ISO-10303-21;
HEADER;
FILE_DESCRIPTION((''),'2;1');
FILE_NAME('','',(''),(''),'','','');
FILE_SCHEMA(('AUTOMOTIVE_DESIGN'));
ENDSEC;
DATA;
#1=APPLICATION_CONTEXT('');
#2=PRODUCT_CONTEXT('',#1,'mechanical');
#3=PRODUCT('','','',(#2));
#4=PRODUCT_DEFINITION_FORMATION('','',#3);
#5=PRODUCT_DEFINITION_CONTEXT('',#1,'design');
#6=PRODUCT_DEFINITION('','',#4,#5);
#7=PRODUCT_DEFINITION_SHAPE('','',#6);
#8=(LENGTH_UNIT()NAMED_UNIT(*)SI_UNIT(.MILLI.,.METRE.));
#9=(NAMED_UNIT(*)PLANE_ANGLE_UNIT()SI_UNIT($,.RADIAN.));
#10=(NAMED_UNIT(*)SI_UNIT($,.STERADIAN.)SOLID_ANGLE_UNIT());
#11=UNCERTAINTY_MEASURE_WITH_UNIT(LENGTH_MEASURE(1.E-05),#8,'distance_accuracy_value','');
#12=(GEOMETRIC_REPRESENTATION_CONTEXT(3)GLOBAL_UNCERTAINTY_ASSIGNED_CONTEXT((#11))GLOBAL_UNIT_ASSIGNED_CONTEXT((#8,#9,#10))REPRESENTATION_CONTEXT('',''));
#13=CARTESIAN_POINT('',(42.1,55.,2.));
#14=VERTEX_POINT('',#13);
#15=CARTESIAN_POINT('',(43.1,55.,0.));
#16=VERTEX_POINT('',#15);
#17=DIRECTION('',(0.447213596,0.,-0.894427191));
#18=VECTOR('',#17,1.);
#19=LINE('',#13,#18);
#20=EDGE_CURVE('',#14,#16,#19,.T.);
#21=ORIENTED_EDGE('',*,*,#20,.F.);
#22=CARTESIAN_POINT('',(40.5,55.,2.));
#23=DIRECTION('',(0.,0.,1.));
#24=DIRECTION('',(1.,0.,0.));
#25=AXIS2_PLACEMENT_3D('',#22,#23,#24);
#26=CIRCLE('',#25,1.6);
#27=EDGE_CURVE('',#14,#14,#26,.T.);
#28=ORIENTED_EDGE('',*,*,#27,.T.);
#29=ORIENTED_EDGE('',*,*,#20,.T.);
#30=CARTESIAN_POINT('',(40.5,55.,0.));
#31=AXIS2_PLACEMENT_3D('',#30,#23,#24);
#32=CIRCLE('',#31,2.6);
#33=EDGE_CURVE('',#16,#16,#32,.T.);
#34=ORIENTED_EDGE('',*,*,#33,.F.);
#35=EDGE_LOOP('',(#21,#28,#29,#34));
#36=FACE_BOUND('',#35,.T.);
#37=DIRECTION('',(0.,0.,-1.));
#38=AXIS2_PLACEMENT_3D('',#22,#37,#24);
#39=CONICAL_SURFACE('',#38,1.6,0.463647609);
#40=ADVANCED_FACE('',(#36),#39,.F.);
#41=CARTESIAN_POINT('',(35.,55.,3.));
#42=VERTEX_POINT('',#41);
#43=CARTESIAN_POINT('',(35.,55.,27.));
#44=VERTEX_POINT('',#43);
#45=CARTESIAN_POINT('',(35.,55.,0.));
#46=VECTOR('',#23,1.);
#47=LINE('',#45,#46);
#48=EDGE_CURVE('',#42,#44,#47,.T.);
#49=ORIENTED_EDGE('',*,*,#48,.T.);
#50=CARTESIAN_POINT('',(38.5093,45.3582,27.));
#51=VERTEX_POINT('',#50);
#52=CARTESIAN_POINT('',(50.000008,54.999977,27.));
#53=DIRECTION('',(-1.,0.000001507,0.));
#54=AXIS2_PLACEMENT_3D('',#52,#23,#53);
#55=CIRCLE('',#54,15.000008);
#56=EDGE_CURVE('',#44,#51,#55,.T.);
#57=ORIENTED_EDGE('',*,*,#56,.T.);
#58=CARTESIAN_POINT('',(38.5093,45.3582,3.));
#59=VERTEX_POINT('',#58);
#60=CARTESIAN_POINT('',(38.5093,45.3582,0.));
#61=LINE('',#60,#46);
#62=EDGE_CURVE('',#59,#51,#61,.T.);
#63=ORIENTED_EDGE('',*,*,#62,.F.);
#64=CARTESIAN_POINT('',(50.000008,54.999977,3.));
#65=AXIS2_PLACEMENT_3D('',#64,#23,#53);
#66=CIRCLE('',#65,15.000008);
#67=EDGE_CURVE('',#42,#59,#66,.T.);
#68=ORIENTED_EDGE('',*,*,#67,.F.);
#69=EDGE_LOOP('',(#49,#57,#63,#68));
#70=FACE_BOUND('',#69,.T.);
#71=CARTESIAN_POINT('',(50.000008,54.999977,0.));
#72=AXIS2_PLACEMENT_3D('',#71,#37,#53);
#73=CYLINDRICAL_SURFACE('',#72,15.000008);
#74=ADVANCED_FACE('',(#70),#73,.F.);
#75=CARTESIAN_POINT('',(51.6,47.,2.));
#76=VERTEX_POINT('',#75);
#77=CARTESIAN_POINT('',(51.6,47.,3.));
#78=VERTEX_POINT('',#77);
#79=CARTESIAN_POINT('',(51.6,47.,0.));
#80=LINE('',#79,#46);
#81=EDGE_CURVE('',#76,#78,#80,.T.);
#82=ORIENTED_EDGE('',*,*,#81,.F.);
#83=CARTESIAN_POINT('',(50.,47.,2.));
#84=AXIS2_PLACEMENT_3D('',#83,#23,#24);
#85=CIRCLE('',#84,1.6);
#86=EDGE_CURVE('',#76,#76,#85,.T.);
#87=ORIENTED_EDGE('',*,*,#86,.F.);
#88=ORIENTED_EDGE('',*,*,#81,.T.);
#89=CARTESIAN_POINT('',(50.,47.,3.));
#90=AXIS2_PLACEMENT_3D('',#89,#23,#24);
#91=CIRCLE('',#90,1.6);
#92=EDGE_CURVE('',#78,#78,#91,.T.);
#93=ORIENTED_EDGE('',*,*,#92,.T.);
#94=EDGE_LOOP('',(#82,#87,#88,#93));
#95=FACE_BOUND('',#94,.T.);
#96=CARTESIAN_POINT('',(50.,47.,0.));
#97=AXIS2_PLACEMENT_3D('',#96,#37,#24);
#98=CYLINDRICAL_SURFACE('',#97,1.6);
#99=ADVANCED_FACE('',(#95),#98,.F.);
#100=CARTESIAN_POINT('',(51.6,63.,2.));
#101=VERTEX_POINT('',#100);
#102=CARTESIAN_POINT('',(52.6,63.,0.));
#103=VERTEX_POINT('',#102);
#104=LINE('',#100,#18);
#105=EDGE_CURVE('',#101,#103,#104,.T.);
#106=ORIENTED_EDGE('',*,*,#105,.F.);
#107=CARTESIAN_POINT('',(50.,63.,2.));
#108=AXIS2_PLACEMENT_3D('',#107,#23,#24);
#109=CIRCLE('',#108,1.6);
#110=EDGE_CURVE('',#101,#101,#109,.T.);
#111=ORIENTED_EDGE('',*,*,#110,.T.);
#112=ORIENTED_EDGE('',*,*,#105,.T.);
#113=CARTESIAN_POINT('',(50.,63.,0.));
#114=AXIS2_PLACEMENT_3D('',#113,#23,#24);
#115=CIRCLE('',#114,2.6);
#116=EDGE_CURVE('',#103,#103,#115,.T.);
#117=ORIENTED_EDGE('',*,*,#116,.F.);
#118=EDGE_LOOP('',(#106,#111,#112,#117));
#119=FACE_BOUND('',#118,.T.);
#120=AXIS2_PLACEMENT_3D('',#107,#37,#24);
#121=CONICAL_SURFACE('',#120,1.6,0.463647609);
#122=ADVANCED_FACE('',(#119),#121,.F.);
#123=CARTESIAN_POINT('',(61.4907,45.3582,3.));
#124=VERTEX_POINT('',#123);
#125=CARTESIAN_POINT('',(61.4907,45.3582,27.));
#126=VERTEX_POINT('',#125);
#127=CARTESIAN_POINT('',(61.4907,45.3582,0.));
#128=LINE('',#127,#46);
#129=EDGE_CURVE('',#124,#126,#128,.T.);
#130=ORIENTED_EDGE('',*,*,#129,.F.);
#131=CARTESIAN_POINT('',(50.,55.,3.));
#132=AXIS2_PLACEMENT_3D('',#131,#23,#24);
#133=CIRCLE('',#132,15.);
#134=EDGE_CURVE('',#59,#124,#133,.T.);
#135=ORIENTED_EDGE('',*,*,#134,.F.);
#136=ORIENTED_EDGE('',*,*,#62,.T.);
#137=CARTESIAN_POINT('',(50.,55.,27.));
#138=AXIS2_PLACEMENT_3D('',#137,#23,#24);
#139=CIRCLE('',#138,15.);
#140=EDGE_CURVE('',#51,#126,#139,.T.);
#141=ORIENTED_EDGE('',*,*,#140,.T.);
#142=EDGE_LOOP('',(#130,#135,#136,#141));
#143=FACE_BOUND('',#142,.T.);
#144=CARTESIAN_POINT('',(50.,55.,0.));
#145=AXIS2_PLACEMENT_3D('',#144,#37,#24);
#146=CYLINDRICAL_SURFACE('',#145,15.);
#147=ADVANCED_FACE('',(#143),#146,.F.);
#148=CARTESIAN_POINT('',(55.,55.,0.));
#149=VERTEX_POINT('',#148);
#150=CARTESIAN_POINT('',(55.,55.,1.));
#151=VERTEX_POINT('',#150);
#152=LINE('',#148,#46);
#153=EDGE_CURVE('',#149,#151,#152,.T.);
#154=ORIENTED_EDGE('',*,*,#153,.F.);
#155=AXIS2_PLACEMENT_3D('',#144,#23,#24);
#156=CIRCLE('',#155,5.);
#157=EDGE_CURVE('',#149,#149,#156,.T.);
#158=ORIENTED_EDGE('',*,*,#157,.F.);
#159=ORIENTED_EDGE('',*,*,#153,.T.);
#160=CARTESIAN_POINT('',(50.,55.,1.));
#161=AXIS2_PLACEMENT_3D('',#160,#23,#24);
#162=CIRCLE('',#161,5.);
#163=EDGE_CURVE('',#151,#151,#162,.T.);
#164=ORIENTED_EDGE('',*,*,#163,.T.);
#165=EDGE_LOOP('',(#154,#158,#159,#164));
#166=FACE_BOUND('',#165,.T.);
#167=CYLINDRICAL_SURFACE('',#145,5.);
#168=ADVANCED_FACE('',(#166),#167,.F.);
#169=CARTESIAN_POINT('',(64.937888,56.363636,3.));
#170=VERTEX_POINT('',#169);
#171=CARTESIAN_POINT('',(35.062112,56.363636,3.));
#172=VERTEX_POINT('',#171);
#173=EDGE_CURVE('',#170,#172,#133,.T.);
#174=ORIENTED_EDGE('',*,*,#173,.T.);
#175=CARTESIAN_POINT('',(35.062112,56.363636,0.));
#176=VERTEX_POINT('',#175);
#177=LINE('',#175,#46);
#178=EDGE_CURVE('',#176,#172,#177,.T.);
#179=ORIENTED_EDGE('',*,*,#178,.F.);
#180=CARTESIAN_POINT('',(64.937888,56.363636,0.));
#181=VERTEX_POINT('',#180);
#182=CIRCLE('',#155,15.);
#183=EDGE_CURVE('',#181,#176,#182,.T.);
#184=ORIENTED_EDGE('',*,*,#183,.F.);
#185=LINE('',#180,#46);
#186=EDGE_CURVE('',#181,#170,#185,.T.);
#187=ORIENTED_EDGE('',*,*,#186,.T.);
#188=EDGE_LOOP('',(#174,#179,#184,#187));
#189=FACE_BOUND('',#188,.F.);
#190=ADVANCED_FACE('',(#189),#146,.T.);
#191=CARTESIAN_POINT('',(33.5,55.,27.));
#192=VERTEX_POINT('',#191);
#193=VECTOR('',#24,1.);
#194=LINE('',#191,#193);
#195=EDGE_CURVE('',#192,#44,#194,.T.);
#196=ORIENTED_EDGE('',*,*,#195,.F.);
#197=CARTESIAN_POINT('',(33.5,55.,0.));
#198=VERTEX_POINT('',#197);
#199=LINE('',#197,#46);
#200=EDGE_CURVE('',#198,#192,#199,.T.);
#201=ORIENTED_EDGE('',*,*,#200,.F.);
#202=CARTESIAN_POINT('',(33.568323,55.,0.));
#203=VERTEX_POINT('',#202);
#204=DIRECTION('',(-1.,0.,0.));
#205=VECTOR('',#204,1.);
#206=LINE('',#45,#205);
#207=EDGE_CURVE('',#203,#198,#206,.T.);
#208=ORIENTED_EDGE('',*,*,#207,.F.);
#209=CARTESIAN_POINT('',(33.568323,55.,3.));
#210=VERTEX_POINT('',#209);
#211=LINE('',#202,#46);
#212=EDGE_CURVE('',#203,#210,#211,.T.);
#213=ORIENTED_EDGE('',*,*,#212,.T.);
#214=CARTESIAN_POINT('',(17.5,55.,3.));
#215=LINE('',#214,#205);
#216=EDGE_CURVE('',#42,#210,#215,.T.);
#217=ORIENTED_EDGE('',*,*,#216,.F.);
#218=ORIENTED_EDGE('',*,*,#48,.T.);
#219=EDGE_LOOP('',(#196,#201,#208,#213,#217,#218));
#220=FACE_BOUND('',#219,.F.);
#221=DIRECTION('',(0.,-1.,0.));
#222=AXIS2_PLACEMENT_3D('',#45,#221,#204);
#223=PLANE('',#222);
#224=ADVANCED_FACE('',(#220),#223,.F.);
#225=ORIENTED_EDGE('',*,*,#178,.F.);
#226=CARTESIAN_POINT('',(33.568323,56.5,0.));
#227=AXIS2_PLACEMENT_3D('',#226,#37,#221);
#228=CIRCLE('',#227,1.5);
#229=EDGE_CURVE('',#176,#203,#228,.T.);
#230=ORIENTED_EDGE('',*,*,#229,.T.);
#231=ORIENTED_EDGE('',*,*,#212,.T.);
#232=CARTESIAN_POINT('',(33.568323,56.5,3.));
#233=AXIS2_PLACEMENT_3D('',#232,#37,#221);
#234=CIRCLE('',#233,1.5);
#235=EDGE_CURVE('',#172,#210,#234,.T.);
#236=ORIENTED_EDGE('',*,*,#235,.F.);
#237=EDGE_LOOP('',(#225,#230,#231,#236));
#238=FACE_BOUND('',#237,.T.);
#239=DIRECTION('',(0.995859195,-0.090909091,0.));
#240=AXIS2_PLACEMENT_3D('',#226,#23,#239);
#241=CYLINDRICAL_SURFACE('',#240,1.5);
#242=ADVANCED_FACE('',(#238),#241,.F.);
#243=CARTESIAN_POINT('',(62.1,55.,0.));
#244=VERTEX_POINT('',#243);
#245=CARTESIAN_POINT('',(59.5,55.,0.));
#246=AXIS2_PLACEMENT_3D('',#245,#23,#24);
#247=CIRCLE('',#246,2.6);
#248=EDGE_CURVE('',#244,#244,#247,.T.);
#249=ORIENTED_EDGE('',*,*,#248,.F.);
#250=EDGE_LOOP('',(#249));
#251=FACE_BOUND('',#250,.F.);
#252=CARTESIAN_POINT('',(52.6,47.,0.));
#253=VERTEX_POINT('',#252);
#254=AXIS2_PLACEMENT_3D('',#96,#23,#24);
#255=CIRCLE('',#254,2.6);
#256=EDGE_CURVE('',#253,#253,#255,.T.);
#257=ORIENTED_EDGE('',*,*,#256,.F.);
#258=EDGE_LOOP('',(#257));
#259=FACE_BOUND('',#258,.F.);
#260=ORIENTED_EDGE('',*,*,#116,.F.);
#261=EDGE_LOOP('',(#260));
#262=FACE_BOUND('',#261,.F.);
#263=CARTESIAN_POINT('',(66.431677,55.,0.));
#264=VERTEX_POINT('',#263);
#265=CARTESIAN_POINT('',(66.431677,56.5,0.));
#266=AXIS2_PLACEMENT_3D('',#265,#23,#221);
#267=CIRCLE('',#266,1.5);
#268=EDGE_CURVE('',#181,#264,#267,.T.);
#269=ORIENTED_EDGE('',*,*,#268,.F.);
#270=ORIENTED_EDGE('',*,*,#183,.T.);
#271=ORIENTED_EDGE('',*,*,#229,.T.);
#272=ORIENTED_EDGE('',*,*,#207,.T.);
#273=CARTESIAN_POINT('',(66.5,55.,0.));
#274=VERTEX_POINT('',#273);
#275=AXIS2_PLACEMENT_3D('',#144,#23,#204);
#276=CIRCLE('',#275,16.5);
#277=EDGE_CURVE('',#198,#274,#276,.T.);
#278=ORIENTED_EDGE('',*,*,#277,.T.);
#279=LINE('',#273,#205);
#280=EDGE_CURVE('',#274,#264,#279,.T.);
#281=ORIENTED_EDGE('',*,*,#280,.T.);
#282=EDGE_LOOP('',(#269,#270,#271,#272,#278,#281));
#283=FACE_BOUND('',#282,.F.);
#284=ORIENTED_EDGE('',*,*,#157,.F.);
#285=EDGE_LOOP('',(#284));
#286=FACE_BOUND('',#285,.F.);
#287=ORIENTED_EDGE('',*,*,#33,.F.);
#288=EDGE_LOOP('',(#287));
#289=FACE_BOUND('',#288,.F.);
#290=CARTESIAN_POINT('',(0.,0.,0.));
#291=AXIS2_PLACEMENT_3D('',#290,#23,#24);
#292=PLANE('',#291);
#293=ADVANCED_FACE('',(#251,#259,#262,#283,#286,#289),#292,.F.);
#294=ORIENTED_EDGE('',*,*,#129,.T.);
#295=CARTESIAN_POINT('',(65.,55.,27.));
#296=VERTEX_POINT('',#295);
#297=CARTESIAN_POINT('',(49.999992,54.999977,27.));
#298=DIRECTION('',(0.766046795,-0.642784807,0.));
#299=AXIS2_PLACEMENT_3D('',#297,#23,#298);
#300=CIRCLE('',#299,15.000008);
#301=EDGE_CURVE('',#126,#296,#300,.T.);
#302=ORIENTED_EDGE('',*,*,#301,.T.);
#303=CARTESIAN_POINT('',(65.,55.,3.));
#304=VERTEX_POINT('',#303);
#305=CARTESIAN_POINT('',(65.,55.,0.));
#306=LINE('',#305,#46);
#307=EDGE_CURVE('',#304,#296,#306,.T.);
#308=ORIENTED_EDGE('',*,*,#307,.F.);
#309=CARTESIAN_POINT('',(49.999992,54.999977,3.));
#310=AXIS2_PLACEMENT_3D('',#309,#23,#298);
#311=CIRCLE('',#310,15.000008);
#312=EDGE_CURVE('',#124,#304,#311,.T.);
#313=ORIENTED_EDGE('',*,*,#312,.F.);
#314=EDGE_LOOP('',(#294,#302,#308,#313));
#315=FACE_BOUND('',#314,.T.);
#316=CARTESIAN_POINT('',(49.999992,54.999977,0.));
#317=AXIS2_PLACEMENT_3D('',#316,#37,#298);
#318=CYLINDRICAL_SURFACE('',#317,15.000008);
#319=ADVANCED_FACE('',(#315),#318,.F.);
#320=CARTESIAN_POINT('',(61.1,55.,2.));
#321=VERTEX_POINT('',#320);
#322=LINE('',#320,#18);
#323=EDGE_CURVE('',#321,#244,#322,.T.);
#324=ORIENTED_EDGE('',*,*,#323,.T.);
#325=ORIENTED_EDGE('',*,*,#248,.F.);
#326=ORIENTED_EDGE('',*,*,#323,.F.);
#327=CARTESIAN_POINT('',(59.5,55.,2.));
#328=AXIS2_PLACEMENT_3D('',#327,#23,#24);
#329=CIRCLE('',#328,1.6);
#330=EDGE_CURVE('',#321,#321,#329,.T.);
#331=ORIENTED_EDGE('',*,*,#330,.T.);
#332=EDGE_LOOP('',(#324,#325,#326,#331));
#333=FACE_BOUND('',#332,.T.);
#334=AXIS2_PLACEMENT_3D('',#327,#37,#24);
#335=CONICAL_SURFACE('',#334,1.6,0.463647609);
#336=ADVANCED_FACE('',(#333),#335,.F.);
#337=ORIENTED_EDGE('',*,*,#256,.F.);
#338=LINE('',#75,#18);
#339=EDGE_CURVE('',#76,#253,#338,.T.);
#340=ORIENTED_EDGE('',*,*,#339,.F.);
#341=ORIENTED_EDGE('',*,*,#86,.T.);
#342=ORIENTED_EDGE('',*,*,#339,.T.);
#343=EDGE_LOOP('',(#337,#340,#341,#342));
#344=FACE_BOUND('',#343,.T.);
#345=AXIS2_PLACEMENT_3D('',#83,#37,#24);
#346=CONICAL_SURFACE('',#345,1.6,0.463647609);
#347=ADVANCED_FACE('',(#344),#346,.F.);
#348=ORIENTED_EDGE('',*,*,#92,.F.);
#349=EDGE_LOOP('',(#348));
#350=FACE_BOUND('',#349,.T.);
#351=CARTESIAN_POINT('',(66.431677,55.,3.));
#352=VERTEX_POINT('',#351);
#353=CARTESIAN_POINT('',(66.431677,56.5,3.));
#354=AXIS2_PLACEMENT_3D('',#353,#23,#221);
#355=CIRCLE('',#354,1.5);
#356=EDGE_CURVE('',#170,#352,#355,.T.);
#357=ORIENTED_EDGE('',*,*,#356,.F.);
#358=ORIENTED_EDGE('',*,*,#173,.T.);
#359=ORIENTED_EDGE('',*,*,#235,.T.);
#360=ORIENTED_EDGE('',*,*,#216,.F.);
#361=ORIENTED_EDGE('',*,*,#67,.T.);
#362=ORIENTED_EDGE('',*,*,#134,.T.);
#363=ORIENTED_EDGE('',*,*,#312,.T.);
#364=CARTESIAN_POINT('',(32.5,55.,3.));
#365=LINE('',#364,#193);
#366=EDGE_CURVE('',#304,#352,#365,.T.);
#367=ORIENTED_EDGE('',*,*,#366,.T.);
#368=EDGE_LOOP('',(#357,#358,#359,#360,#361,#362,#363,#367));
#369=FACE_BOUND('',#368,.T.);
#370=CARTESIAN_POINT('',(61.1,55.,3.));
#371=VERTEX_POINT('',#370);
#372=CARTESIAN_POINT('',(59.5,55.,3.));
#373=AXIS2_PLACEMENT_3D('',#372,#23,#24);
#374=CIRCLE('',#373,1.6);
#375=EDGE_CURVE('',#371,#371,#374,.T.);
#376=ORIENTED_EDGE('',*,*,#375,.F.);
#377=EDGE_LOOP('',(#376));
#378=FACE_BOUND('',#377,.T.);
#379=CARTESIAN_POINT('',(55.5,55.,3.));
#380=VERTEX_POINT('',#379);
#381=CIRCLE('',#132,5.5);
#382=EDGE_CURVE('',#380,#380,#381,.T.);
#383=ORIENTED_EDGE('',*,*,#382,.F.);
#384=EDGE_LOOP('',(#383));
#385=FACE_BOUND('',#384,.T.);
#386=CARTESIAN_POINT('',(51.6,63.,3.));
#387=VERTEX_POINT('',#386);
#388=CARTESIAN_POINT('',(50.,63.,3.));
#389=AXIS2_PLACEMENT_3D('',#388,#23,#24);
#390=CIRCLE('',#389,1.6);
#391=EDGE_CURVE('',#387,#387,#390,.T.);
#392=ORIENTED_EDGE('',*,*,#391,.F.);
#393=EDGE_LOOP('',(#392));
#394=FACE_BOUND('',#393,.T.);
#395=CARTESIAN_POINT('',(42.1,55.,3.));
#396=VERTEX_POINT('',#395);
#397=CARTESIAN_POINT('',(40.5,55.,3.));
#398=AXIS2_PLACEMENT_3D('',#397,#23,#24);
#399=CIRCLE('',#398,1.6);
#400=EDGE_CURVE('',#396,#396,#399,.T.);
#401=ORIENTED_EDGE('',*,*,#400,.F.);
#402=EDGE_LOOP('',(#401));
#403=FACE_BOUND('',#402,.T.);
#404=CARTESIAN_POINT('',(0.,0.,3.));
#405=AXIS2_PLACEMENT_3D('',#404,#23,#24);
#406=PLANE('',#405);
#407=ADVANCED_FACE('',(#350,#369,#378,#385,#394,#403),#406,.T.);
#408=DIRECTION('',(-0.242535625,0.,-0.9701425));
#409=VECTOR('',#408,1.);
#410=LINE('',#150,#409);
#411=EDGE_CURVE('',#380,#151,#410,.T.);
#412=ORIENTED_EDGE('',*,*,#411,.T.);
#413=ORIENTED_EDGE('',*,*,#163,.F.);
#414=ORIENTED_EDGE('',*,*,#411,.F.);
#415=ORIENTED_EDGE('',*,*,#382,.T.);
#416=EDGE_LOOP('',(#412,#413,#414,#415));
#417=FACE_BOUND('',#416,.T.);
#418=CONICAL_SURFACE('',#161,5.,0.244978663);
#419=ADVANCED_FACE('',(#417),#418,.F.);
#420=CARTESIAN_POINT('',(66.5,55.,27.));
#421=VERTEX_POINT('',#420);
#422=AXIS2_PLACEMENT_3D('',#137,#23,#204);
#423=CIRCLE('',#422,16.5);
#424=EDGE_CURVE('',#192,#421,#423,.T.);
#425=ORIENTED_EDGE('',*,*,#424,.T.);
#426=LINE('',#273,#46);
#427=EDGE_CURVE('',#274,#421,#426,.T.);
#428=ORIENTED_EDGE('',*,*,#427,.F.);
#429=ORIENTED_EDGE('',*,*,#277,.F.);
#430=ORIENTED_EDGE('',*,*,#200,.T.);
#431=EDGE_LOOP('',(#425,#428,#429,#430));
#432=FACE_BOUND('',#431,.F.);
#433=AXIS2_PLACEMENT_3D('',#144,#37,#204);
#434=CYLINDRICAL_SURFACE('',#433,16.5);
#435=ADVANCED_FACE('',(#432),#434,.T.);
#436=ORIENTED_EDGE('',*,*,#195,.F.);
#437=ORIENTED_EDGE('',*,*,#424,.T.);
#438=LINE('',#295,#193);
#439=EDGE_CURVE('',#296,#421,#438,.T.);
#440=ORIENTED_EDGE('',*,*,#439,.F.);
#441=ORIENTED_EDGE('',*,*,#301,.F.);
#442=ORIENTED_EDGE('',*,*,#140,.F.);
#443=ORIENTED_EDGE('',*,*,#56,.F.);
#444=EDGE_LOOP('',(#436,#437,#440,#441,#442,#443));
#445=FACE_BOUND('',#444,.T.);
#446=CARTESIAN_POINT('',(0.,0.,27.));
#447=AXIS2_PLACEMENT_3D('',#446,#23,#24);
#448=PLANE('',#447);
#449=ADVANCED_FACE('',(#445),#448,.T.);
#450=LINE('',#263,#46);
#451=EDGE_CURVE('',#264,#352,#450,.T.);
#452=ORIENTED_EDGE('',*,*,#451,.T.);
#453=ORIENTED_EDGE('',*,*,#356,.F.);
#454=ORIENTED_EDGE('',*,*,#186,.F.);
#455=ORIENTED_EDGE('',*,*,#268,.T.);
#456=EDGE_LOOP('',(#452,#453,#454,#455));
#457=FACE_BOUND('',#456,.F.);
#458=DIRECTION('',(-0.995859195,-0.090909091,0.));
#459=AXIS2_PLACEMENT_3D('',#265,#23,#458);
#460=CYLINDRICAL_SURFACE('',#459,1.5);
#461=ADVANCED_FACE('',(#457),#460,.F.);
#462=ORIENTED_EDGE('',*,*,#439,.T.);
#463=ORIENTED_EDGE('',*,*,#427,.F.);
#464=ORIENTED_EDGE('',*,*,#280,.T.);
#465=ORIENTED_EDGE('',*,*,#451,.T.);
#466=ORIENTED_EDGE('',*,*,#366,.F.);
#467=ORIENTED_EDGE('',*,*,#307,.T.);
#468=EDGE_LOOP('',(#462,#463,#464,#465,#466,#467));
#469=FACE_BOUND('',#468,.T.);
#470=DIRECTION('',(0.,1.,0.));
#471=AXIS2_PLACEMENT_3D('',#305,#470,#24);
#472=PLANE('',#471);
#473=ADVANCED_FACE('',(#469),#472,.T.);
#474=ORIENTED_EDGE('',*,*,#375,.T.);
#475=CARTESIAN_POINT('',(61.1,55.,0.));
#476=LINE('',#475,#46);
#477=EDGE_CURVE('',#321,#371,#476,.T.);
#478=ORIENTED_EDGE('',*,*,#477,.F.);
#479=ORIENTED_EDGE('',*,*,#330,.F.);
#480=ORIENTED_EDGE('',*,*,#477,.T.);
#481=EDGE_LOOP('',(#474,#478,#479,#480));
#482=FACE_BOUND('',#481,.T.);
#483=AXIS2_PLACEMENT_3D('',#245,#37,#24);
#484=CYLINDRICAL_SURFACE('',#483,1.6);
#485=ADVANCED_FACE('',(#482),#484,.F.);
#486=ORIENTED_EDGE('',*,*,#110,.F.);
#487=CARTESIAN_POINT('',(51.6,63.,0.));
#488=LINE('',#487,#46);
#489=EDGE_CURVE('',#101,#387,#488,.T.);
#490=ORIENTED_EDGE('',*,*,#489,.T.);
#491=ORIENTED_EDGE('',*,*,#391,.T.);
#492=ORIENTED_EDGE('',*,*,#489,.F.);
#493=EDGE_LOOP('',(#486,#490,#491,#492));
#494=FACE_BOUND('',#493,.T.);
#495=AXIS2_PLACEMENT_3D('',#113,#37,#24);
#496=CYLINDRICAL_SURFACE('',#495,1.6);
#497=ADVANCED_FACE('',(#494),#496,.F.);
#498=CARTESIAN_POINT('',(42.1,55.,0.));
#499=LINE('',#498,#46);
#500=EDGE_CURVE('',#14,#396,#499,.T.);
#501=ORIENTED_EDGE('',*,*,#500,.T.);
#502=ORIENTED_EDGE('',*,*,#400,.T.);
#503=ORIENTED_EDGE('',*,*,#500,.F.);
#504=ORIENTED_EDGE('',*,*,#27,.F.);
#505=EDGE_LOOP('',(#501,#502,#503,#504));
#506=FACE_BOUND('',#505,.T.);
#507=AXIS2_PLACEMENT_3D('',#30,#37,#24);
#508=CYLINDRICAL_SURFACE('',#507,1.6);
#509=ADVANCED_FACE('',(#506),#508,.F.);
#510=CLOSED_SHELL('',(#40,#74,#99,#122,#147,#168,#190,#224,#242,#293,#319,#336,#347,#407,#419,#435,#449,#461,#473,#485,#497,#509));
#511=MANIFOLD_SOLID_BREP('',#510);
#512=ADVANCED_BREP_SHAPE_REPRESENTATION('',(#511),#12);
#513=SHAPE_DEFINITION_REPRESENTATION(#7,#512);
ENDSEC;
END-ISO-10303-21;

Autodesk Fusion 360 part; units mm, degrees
sketch "Sketch1" plane through (0, 0, 0) normal (0, 0, 1) x (1, 0, 0)
  line L0 (50, 55) -> (66, 55) construction
  line L1 (50, 55) -> (34, 55) construction
  line L2 (50, 55) -> (50, 39) construction
  line L3 (50, 55) -> (50, 71) construction
  circle A0 centre (40.5, 55) radius 1.6
  circle A1 centre (50, 63) radius 1.6
  circle A2 centre (59.5, 55) radius 1.6
  circle A3 centre (50, 47) radius 1.6
  line L4 (65, 55) -> (66, 55)
  line L5 (35, 55) -> (34, 55)
  line L6 (50, 55) -> (46.1698, 51.7861) construction
  arc A4 (61.4907, 45.3582) -> (65, 55) centre (50, 55) ccw
  arc A5 (35, 55) -> (38.5093, 45.3582) centre (50, 55) ccw
  circle A6 centre (50, 55) radius 5
  line L7 (34, 55) -> (33.5, 55)
  line L8 (66, 55) -> (66.5, 55)
  circle A7 centre (50, 55) radius 15
  line L9 (50, 55) -> (53.8302, 51.7861) construction
  line L10 (61.4907, 45.3582) -> (62.2567, 44.7154) construction
  arc A8 (33.5, 55) -> (66.5, 55) centre (50, 55) ccw
  point P0 (59.5, 55)
  point P1 (50, 63)
  point P2 (50, 47)
  point P3 (40.5, 55)
  dimension "d23" = 30
  dimension "d25" = 8
  dimension "d26" = 8
  dimension "d27" = 9.5
  dimension "d28" = 9.5
  dimension "d29" = 3.2
  dimension "d30" = 3.2
  dimension "d31" = 3.2
  dimension "d32" = 3.2
  dimension "d33" = 140
  dimension "d34" = 80
  dimension "d41" = 10
  dimension "d44" = 33
extrude "Extrude7" add sketch "Sketch1" along normal blind 3 contours A4 A5 A7
extrude "Extrude8" add sketch "Sketch1" along normal blind 27 contours L4 L5 A4 A5 L7 L8 A7 A8
chamfer "Chamfer2" distance 0.5 distance2 2 1 edges at (45.3384, 56.8081, 3) measured on face at (42.065, 60.0544, 3)
chamfer "Chamfer3" distance 2 distance2 1 4 edges at (58.0083, 55.5786, 0) (48.5083, 47.5786, 0) (39.0083, 55.5786, 0) (48.5083, 63.5786, 0) measured on face at (60.434, 56.2991, 2) measured on face at (50.934, 48.2991, 2) measured on face at (41.434, 56.2991, 2) measured on face at (51.0587, 64.1997, 2)
fillet "Fillet1" radius 1.5 2 edges at (65, 55, 1.5) (35, 55, 1.5)
sketch "Sketch2" plane through (0, 0, 0) normal (0, 1, 0) x (1, 0, 0)
